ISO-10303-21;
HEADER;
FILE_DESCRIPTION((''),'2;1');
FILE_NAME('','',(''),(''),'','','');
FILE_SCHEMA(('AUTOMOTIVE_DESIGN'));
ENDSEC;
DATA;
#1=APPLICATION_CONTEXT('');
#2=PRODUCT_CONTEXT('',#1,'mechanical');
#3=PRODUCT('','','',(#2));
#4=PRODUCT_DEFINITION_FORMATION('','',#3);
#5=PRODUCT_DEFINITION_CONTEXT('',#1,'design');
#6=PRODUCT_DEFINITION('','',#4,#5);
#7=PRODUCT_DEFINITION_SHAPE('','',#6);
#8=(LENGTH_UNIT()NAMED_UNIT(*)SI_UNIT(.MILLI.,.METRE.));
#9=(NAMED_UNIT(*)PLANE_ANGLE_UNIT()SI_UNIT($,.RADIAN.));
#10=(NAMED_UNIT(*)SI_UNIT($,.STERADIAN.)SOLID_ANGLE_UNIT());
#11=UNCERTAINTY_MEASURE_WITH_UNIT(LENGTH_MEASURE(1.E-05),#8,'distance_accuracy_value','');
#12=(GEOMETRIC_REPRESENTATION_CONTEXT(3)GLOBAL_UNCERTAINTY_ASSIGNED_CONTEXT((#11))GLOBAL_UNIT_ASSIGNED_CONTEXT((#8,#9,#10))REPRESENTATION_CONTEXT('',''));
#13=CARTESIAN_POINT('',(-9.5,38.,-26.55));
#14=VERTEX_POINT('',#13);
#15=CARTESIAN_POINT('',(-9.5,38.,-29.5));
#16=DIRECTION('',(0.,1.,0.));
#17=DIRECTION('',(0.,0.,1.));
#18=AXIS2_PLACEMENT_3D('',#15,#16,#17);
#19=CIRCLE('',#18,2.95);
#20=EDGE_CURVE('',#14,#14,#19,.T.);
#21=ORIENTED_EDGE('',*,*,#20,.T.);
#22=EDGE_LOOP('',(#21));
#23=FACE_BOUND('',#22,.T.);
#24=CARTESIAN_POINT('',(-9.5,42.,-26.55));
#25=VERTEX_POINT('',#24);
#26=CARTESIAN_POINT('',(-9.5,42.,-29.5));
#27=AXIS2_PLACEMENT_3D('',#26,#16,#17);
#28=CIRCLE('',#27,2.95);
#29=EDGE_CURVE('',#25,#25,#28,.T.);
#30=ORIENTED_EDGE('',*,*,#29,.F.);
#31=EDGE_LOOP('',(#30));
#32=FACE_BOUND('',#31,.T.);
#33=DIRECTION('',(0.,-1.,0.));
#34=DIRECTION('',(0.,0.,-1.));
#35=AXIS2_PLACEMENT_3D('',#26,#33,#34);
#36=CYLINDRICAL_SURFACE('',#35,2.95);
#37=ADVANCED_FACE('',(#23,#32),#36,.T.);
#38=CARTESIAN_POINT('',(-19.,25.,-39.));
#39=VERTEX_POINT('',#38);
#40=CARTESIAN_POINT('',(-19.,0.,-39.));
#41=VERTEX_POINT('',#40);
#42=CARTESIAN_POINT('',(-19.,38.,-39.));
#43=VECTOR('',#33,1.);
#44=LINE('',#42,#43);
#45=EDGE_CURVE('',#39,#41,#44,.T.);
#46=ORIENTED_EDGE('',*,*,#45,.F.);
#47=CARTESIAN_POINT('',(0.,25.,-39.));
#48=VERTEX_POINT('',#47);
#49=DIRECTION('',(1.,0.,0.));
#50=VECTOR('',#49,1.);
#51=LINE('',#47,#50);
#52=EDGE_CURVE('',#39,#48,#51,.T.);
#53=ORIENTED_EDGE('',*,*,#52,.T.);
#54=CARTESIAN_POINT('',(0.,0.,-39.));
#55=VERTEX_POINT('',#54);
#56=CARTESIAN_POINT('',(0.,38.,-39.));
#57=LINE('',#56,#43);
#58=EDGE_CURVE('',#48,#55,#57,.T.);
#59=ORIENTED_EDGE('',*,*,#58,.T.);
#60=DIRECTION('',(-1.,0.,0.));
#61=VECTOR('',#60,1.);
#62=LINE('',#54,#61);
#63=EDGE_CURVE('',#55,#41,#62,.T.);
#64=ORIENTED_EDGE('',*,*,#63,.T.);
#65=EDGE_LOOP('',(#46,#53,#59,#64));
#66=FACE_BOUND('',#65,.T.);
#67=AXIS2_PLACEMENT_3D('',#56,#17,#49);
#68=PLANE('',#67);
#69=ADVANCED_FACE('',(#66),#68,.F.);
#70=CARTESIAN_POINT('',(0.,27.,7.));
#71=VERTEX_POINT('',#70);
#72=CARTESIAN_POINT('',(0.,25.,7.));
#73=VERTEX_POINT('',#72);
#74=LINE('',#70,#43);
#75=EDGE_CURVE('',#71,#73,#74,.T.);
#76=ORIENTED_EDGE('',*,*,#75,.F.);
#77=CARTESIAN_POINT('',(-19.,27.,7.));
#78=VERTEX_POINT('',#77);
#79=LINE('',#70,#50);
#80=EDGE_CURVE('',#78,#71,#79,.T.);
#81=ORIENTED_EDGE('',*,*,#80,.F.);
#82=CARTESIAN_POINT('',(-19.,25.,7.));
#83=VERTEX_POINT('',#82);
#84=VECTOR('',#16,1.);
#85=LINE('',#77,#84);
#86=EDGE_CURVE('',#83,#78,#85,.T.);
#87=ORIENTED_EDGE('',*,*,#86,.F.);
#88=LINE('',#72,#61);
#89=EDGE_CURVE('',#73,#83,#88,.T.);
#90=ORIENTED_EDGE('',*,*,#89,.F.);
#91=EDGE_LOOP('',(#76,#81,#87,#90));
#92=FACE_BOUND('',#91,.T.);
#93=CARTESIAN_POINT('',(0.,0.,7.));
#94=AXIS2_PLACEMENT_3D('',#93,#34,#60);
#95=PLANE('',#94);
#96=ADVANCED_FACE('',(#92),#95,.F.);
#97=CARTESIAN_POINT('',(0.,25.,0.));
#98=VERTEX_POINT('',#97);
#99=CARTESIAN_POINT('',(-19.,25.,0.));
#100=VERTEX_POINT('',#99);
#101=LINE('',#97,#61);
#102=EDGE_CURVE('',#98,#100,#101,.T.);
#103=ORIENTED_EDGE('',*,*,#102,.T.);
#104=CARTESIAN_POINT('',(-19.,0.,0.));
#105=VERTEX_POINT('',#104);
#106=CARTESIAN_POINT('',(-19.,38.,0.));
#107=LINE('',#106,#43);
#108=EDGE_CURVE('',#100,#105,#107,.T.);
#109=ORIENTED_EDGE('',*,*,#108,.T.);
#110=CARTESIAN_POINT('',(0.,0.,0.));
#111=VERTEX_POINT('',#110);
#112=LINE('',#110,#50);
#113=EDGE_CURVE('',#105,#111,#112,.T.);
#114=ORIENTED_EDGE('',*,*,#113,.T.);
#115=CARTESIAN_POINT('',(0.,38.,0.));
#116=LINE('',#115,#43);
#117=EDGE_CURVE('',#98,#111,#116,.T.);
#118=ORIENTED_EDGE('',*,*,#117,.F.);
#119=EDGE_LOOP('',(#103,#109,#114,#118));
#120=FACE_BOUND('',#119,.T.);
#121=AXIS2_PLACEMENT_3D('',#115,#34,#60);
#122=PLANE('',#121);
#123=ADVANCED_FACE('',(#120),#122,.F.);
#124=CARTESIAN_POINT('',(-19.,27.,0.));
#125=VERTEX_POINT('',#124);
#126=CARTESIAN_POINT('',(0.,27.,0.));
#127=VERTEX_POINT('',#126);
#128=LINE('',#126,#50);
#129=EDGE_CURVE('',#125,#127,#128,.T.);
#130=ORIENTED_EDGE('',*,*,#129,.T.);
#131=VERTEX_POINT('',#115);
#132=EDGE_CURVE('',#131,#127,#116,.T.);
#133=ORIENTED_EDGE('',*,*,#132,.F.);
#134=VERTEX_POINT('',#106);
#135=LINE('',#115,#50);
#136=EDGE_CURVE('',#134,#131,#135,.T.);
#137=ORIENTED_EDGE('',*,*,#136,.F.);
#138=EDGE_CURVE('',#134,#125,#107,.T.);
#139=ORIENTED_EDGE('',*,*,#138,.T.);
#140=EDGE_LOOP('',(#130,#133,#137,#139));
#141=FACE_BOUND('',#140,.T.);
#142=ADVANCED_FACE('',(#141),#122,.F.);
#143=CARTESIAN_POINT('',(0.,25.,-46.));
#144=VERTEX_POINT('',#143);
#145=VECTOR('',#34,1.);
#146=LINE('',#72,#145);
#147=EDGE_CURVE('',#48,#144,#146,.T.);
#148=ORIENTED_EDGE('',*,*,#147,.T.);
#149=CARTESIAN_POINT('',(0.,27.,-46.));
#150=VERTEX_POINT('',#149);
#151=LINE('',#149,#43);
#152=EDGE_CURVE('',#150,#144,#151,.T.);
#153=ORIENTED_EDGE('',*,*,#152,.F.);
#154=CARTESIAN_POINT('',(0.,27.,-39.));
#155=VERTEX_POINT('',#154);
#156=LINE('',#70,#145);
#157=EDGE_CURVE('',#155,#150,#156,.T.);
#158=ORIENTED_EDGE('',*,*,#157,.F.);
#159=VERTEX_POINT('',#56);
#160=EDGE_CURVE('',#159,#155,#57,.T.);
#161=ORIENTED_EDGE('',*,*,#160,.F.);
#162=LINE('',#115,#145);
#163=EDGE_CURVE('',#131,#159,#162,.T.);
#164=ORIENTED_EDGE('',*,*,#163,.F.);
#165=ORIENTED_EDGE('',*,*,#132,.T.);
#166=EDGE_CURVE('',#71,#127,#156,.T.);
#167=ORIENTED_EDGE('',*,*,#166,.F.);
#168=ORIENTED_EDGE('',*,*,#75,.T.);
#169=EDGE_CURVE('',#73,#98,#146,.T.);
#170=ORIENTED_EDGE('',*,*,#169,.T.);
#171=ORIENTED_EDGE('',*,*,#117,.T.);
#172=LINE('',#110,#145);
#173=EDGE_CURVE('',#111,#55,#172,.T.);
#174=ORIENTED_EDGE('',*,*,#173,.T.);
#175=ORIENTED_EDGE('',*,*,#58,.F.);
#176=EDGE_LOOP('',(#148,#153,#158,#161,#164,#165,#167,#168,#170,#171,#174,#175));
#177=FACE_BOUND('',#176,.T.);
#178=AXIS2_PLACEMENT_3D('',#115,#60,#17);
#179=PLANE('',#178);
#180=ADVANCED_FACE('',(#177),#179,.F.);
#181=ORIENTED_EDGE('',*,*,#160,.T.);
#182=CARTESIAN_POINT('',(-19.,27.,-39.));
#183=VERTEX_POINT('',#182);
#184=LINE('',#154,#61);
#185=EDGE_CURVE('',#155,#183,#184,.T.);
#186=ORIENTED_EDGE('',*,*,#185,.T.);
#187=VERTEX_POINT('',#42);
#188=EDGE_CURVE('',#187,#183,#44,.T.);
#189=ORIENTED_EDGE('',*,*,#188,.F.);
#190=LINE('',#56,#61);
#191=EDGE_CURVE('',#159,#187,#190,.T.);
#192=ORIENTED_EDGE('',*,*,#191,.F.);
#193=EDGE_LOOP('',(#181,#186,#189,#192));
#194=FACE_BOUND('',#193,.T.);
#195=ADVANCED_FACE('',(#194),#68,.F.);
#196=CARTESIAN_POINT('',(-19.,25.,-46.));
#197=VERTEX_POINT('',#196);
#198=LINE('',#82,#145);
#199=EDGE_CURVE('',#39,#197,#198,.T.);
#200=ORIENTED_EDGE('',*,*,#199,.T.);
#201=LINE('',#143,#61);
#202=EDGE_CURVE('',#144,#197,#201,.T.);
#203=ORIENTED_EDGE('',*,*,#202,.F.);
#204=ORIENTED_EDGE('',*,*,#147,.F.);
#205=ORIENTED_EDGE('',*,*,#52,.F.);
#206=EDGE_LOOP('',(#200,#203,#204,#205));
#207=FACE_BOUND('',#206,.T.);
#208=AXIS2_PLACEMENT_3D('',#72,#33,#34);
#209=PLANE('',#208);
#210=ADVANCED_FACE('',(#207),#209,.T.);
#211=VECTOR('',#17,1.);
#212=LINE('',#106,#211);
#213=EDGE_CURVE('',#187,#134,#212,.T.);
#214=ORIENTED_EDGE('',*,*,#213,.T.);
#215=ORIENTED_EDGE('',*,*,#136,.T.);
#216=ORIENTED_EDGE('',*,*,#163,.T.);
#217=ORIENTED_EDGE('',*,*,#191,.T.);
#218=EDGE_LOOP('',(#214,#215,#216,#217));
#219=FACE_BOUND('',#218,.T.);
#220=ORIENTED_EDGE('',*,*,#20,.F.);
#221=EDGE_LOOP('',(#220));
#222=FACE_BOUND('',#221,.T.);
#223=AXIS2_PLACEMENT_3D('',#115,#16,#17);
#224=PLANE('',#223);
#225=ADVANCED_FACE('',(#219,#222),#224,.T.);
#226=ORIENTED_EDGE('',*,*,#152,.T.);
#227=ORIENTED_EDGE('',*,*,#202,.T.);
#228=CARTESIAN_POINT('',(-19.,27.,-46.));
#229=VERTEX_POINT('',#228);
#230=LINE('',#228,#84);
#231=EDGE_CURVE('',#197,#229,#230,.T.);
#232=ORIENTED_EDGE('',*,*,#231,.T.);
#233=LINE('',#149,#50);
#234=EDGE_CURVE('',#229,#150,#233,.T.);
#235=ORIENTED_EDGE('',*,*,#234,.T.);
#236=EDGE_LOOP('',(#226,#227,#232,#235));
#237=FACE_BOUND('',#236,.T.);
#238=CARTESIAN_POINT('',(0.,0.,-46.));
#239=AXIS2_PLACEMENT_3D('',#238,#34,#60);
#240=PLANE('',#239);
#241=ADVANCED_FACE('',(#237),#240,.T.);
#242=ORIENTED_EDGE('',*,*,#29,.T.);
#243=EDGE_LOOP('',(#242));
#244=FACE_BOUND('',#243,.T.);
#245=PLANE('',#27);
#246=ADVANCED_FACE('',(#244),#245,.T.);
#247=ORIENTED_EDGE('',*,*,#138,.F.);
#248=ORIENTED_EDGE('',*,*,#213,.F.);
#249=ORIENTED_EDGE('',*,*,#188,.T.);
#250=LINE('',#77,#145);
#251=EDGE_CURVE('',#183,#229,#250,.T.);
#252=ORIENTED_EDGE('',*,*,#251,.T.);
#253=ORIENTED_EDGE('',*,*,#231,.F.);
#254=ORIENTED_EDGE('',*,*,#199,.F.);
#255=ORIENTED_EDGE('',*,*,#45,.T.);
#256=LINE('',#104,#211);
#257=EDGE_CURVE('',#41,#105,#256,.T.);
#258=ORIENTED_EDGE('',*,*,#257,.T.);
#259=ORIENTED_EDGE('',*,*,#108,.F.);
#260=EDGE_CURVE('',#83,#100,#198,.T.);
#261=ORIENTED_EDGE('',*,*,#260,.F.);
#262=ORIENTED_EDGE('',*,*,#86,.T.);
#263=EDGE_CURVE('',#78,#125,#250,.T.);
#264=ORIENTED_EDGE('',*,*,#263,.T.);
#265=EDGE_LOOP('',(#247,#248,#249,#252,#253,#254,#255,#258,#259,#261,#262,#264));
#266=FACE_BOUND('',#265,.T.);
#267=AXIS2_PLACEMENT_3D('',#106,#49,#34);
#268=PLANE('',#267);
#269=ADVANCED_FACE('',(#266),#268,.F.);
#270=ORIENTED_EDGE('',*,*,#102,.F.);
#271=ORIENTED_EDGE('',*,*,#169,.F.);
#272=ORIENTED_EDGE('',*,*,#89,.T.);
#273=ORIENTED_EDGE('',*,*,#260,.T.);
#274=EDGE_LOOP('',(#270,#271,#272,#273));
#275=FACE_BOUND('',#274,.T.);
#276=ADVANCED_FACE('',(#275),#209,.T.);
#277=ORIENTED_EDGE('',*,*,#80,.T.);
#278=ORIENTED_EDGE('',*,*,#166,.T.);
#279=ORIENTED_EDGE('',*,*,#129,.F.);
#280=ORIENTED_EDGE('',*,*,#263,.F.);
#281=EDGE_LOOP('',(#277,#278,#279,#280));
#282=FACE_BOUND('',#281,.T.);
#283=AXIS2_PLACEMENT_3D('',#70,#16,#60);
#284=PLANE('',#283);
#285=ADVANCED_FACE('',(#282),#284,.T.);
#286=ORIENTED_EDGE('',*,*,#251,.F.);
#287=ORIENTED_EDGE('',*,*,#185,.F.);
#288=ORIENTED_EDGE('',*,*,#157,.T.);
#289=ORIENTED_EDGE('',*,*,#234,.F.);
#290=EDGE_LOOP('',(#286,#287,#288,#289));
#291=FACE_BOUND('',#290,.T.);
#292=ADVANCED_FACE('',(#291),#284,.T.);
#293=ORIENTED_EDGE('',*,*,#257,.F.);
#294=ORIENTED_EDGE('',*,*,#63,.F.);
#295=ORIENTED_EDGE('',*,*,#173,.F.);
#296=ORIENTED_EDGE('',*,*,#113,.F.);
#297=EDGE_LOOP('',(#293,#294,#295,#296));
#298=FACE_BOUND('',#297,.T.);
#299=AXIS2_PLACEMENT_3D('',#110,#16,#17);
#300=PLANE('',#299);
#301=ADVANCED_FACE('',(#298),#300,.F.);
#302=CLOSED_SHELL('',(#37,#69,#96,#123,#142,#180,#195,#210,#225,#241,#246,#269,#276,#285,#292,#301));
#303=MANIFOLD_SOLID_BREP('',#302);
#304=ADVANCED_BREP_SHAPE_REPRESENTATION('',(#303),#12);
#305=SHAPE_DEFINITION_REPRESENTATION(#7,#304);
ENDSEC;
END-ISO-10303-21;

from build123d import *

# Parameters (mm, degrees)
ESQUISSE1_W             = 19
ESQUISSE1_H             = 39
BOSS_EXTRU_1_DEPTH      = 38
BOSS_EXTRU_2_DEPTH      = 7
BOSS_EXTRU_2_DEPTH_BACK = 46
ESQUISSE2_W             = 19
ESQUISSE2_H             = 2
ESQUISSE3_R             = 2.95
BOSS_EXTRU_3_DEPTH      = 4


with BuildPart() as part:
    # Esquisse1 → Boss.-Extru.1 (new body)
    with BuildSketch(Plane(origin=(0, 0, 0), x_dir=(1, 0, 0), z_dir=(0, 1, 0))):
        with Locations((-9.5, 19.5)):
            Rectangle(ESQUISSE1_W, ESQUISSE1_H)
    extrude(amount=BOSS_EXTRU_1_DEPTH)

    # Esquisse2 → Boss.-Extru.2 (add, two sides: drawn at the far end of the back side and taken through both)
    with BuildSketch(Plane(origin=(0, 0, -39), x_dir=(-1, 0, 0), z_dir=(0, 0, -1)).offset(-BOSS_EXTRU_2_DEPTH_BACK)):
        with Locations((9.5, 26)):
            Rectangle(ESQUISSE2_W, ESQUISSE2_H)
    extrude(amount=BOSS_EXTRU_2_DEPTH + BOSS_EXTRU_2_DEPTH_BACK)

    # Esquisse3 → Boss.-Extru.3 (add)
    with BuildSketch(Plane(origin=(0, 38, 0), x_dir=(1, 0, 0), z_dir=(0, 1, 0))):
        with Locations(Location((-9.5, 29.5, 0), (0, 0, 270))):
            Circle(ESQUISSE3_R)
    extrude(amount=BOSS_EXTRU_3_DEPTH)


solid = part.part
